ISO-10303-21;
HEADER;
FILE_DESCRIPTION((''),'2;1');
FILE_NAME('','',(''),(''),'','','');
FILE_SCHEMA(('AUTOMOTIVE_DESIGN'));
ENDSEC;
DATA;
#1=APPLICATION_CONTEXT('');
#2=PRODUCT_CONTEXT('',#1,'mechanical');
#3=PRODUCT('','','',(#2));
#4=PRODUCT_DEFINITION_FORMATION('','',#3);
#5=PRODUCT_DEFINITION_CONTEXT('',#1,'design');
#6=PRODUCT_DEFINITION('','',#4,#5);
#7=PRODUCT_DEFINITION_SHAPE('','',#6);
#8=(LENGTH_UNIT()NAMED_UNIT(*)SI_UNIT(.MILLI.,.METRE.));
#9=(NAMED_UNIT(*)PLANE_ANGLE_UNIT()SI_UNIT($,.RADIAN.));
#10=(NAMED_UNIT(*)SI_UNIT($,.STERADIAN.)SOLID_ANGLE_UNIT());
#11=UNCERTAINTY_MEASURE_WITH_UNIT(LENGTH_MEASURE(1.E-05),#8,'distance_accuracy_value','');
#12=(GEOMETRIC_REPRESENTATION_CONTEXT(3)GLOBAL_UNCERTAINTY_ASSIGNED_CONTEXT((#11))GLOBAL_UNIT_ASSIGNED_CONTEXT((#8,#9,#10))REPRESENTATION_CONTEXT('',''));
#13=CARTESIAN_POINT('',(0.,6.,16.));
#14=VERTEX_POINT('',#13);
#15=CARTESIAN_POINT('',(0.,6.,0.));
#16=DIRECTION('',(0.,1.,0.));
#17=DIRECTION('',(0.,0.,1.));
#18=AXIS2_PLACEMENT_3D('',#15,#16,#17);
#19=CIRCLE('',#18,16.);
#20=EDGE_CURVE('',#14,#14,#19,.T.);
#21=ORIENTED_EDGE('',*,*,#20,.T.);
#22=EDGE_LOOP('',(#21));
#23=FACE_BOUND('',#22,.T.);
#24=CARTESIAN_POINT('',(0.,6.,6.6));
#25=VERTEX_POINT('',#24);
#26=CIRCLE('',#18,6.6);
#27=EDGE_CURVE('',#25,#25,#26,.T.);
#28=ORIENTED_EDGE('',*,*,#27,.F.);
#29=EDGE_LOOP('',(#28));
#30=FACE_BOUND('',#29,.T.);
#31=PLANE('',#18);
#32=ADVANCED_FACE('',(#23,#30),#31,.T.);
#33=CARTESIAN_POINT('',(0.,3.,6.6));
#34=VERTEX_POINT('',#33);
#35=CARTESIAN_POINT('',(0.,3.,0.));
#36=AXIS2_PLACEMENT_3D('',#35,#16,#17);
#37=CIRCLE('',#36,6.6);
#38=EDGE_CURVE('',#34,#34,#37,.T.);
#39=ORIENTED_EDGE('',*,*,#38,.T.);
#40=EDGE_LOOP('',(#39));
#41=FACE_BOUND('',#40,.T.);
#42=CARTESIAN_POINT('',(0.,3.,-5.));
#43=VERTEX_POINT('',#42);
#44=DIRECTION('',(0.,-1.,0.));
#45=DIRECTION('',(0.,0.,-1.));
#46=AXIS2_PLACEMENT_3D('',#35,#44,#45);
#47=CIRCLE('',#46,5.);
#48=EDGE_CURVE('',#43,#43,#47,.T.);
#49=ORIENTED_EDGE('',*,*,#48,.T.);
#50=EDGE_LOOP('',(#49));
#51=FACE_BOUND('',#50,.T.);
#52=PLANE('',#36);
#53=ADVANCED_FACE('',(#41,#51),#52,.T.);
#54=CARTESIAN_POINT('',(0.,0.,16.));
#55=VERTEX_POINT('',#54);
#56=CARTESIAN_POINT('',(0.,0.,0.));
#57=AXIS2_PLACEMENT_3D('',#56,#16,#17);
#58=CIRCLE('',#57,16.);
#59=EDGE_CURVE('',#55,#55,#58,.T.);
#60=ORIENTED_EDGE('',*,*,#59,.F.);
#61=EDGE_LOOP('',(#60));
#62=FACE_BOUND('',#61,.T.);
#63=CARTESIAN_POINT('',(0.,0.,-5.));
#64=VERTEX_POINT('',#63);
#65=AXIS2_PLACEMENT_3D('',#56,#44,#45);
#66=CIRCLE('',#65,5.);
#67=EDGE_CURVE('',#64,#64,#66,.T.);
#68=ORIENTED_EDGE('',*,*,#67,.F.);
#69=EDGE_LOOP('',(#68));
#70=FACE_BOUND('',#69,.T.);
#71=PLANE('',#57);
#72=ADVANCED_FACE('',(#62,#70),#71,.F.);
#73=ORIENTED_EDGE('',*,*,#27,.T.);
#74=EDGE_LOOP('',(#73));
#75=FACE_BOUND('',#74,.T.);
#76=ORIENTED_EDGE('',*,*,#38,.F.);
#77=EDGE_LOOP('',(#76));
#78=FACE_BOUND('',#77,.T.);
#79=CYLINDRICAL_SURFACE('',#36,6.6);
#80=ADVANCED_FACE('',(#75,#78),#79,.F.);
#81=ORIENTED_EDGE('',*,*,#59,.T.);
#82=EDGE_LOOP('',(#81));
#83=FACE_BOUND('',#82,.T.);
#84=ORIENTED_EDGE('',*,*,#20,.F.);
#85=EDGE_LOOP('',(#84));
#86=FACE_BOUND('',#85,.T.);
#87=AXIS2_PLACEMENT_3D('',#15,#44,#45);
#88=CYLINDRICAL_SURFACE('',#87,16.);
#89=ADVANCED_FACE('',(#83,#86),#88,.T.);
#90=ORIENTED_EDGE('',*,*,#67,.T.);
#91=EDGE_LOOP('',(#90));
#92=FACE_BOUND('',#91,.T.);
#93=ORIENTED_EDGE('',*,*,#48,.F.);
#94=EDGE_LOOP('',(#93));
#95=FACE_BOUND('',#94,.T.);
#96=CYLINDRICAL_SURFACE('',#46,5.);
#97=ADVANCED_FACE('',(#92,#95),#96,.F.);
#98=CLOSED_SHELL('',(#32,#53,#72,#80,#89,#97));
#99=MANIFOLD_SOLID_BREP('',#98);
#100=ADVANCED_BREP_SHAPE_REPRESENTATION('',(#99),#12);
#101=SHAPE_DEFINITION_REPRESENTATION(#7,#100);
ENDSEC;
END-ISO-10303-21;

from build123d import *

# Parameters (mm, degrees)
SKETCH1_R           = 16
BOSS_EXTRUDE1_DEPTH = 6
SKETCH4_R           = 6.6
CUT_EXTRUDE2_DEPTH  = 3
SKETCH5_R           = 5
CUT_EXTRUDE3_DEPTH  = 3


with BuildPart() as part:
    # Sketch1 → Boss-Extrude1 (new body)
    with BuildSketch(Plane(origin=(0, 0, 0), x_dir=(1, 0, 0), z_dir=(0, 1, 0))):
        Circle(SKETCH1_R)
    extrude(amount=BOSS_EXTRUDE1_DEPTH)

    # Sketch4 → Cut-Extrude2 (cut)
    with BuildSketch(Plane(origin=(0, 6, 0), x_dir=(1, 0, 0), z_dir=(0, 1, 0))):
        Circle(SKETCH4_R)
    extrude(amount=-CUT_EXTRUDE2_DEPTH, mode=Mode.SUBTRACT)

    # Sketch5 → Cut-Extrude3 (cut)
    with BuildSketch(Plane(origin=(0, 0, 0), x_dir=(-1, 0, 0), z_dir=(0, -1, 0))):
        Circle(SKETCH5_R)
    extrude(amount=-CUT_EXTRUDE3_DEPTH, mode=Mode.SUBTRACT)


solid = part.part
